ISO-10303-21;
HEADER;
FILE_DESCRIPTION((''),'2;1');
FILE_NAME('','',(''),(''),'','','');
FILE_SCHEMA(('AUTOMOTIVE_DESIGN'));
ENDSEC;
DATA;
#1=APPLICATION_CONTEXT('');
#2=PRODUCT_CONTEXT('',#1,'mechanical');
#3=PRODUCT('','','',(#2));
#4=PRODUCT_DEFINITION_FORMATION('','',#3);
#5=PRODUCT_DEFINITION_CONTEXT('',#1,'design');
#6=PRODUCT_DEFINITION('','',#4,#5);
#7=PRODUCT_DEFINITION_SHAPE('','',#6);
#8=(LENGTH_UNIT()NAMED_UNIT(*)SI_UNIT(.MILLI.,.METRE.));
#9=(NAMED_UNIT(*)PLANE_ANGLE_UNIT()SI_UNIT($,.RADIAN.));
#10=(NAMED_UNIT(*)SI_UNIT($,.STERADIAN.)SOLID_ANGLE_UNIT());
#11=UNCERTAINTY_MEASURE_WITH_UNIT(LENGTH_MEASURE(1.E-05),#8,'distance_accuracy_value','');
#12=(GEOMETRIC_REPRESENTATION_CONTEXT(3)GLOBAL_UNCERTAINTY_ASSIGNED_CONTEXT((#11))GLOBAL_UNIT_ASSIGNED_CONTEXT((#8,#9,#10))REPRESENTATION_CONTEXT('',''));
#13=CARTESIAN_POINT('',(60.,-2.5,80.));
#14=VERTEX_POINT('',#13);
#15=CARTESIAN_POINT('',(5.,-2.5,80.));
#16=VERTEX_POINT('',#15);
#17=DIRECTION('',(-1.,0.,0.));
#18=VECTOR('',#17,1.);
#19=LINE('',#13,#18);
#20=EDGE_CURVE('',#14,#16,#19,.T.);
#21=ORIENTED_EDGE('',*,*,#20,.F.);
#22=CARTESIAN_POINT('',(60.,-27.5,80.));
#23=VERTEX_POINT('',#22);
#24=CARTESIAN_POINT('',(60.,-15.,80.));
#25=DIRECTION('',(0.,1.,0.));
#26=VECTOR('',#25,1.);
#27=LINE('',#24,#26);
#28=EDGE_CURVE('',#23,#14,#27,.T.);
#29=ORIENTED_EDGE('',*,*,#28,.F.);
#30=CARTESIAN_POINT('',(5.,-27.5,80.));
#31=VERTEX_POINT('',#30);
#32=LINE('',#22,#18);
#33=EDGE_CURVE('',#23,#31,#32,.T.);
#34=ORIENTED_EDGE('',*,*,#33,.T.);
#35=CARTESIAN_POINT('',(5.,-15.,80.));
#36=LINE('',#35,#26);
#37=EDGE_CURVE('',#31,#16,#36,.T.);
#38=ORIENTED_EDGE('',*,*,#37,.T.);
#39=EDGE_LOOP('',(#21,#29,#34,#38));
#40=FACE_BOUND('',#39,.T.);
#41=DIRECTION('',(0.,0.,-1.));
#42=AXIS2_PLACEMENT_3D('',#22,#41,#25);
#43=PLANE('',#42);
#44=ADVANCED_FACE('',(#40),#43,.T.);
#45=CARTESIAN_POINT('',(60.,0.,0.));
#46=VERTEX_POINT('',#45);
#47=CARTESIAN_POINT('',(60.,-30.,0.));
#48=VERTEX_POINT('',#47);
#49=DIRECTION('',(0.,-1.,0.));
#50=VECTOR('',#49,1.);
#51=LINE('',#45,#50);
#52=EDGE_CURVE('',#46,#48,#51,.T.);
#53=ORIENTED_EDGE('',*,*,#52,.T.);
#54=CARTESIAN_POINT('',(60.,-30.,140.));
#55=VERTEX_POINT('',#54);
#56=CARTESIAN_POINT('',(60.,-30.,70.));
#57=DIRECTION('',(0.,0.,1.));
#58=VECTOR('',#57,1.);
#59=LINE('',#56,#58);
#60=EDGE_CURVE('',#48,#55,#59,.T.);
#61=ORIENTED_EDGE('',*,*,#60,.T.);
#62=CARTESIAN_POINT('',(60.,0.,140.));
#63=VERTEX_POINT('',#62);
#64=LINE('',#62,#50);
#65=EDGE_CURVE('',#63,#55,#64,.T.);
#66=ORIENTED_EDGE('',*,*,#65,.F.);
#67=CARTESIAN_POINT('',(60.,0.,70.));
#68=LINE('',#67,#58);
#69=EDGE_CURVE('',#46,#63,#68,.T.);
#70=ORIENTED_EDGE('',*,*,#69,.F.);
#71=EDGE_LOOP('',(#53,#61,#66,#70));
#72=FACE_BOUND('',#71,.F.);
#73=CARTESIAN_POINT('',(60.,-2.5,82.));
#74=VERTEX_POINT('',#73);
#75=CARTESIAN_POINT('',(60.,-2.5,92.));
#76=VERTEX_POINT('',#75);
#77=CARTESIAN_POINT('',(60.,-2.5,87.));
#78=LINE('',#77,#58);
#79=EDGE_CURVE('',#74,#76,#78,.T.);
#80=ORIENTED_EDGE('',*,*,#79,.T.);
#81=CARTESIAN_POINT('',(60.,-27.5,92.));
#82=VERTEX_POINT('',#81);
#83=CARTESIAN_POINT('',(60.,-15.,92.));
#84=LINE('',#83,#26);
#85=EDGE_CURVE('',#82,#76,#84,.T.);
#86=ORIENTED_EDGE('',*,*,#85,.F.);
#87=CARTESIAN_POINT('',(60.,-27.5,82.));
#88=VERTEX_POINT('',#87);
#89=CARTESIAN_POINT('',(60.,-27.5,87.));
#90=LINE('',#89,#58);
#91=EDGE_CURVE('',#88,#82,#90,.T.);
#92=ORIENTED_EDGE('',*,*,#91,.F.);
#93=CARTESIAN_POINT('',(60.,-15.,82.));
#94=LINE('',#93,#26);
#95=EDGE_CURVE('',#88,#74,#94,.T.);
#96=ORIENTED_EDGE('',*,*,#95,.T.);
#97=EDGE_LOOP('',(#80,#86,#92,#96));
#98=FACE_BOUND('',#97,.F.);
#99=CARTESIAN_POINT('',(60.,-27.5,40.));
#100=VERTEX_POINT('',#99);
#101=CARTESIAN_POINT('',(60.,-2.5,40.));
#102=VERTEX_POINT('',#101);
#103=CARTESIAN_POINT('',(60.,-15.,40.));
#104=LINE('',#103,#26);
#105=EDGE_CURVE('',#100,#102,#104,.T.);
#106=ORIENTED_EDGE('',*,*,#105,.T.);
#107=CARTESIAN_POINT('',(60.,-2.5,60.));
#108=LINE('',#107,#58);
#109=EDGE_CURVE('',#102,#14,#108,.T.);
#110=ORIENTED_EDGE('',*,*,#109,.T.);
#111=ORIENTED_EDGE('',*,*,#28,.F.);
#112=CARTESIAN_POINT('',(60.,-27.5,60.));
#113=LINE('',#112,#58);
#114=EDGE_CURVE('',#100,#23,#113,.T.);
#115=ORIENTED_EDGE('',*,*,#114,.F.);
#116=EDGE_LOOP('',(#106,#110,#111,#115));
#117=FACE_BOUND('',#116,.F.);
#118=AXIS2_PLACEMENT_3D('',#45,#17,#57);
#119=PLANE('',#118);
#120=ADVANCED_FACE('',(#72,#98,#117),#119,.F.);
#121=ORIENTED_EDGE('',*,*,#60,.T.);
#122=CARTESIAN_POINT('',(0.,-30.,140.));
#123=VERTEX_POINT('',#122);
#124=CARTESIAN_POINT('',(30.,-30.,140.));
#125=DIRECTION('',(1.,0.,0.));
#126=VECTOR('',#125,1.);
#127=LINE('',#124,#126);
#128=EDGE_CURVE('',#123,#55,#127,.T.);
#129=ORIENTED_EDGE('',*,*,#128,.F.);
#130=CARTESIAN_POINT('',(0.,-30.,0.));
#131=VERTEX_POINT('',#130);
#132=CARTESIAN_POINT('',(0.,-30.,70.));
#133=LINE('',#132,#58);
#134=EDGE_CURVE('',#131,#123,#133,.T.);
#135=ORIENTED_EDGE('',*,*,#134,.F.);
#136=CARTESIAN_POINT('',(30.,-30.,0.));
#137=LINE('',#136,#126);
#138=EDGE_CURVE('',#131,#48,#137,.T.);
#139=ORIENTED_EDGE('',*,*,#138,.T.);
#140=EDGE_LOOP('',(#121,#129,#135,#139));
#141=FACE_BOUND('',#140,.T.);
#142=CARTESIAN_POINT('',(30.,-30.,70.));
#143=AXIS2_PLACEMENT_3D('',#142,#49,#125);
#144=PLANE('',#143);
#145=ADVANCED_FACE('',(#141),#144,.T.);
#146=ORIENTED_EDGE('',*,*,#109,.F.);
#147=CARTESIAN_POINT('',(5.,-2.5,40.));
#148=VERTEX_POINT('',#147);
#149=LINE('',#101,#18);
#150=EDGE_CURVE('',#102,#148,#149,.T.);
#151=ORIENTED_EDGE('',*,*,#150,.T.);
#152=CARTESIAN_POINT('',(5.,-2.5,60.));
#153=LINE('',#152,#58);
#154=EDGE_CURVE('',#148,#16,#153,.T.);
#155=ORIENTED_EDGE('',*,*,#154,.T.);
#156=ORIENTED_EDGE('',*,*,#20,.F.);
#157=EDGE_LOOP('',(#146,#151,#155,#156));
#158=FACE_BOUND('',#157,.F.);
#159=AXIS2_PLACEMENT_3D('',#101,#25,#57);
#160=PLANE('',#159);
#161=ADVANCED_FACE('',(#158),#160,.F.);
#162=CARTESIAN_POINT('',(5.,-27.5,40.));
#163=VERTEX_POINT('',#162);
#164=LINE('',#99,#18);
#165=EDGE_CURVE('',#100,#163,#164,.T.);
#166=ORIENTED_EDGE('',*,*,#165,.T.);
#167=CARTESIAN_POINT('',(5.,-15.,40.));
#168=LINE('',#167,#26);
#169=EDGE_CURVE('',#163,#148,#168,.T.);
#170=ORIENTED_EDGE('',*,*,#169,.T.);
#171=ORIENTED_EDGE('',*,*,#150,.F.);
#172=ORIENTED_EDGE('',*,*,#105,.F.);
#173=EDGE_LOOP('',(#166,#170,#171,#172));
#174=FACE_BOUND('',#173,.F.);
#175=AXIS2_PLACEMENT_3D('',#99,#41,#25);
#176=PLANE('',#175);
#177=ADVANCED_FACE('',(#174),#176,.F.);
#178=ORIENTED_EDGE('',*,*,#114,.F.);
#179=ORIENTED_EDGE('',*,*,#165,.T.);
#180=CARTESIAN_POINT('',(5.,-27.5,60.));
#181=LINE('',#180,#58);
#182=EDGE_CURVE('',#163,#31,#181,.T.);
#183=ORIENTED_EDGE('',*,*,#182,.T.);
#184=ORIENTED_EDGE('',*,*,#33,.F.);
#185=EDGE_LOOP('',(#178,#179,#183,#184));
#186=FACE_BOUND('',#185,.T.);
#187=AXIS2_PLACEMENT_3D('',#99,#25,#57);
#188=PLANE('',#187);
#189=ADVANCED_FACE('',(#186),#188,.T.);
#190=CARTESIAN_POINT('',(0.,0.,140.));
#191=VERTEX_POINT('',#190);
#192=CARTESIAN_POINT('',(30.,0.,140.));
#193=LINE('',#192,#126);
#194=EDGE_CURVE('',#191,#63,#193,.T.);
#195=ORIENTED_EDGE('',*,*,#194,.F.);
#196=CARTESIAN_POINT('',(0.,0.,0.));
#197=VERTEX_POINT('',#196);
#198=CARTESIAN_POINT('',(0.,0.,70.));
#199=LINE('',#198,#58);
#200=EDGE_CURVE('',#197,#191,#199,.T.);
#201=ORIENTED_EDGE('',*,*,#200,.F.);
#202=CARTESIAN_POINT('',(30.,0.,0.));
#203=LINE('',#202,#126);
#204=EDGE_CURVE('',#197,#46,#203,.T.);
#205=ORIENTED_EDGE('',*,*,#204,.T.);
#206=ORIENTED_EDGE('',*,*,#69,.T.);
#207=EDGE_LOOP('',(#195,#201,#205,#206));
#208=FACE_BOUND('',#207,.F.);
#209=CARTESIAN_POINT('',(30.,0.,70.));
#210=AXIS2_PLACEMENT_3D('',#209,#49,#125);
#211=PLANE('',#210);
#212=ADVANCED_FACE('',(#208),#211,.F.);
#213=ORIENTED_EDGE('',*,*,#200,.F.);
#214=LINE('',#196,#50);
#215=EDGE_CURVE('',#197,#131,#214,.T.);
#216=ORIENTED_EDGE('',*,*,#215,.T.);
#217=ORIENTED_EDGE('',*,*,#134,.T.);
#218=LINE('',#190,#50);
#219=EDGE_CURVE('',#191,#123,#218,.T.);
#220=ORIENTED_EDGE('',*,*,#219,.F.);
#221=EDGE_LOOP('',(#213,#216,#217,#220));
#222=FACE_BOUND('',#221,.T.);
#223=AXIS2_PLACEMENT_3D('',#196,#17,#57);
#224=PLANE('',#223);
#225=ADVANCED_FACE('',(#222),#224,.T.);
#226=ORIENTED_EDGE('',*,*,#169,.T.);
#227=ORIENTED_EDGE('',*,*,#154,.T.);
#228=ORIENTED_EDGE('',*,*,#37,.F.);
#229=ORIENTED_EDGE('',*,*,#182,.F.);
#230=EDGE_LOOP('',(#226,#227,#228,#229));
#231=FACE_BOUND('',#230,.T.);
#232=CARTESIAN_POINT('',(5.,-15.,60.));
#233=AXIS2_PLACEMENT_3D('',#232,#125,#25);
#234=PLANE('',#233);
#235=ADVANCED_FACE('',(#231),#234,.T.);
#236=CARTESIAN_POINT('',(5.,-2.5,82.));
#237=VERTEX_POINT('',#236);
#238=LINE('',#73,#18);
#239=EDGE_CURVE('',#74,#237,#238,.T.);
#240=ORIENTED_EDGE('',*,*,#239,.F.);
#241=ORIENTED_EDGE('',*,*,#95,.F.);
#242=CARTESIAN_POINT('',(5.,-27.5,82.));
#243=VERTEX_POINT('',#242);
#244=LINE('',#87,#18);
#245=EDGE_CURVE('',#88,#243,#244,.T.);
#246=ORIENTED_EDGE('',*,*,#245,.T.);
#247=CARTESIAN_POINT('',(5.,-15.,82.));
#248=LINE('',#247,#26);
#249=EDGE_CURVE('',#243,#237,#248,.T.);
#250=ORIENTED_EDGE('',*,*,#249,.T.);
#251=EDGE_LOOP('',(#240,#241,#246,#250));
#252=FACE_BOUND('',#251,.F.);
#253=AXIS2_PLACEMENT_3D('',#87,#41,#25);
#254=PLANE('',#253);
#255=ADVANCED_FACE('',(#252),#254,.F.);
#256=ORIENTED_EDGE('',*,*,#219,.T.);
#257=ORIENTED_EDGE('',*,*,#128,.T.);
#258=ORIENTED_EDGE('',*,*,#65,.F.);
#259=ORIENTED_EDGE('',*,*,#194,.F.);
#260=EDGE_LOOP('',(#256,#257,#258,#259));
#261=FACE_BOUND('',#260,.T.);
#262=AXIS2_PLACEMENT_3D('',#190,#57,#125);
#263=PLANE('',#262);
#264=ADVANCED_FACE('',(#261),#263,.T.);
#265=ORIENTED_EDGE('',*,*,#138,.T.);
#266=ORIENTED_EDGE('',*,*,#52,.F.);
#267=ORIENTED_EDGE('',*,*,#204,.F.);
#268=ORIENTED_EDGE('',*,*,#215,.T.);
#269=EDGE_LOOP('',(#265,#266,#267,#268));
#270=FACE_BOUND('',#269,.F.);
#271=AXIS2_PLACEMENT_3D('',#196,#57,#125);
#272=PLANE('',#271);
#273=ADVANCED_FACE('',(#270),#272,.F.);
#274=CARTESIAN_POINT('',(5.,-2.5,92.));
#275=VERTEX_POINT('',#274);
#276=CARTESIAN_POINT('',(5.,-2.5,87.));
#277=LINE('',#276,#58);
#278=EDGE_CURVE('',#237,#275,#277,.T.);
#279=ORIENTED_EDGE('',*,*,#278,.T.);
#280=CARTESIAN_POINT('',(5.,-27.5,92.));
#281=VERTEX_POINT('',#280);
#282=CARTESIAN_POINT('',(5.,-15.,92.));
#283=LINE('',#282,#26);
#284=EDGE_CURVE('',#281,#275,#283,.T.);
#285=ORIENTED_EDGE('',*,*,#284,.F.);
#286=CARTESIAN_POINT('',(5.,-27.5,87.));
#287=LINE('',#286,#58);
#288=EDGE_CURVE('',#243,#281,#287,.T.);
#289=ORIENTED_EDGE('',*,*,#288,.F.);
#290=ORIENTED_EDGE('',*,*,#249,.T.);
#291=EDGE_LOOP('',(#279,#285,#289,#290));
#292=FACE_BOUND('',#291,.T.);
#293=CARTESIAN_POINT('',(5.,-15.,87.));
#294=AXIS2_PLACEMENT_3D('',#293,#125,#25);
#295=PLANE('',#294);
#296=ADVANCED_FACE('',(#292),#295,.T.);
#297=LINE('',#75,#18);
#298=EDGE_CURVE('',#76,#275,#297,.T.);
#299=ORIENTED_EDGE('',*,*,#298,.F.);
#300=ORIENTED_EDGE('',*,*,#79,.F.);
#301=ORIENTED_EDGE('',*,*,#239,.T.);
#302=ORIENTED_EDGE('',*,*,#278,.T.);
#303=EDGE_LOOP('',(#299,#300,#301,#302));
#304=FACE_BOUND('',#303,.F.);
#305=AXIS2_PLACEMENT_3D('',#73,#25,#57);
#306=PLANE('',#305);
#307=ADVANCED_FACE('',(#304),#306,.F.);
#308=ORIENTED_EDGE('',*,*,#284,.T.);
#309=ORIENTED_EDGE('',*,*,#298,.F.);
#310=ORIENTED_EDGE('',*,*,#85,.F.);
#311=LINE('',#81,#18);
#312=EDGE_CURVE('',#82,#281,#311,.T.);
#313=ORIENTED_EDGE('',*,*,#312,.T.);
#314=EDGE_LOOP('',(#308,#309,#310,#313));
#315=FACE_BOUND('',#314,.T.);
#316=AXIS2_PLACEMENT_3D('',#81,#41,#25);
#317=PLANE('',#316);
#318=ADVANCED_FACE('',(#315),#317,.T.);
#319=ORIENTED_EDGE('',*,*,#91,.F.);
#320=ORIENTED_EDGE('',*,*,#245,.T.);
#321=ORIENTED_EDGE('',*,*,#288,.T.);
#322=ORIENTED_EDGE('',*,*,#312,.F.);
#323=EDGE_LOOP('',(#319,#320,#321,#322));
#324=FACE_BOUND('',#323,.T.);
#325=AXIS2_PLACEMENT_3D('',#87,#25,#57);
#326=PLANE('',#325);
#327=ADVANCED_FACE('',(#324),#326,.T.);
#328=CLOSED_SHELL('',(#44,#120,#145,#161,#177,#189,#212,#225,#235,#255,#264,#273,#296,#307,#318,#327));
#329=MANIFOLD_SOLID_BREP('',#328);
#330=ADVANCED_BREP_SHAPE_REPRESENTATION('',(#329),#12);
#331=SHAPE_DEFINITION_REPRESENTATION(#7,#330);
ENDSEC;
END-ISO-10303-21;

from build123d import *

# Parameters (mm, degrees)
F0_W     = 60
F0_H     = 140
F1_DEPTH = 30
F2_W     = 25
F2_H     = 40
F2_H_2   = 10
F3_DEPTH = 55


with BuildPart() as f1:
    # F0 (on Front) → F1 (new body)
    with BuildSketch(Plane.XZ):
        with Locations((30, 70)):
            Rectangle(F0_W, F0_H)
    extrude(amount=F1_DEPTH)

    # F2 (on face) → F3 (cut)
    with BuildSketch(Plane.YZ.offset(60)):
        with Locations((-15, 60)):
            Rectangle(F2_W, F2_H)
        with Locations((-15, 87)):
            Rectangle(F2_W, F2_H_2)
    extrude(amount=-F3_DEPTH, mode=Mode.SUBTRACT)


solid = f1.part
